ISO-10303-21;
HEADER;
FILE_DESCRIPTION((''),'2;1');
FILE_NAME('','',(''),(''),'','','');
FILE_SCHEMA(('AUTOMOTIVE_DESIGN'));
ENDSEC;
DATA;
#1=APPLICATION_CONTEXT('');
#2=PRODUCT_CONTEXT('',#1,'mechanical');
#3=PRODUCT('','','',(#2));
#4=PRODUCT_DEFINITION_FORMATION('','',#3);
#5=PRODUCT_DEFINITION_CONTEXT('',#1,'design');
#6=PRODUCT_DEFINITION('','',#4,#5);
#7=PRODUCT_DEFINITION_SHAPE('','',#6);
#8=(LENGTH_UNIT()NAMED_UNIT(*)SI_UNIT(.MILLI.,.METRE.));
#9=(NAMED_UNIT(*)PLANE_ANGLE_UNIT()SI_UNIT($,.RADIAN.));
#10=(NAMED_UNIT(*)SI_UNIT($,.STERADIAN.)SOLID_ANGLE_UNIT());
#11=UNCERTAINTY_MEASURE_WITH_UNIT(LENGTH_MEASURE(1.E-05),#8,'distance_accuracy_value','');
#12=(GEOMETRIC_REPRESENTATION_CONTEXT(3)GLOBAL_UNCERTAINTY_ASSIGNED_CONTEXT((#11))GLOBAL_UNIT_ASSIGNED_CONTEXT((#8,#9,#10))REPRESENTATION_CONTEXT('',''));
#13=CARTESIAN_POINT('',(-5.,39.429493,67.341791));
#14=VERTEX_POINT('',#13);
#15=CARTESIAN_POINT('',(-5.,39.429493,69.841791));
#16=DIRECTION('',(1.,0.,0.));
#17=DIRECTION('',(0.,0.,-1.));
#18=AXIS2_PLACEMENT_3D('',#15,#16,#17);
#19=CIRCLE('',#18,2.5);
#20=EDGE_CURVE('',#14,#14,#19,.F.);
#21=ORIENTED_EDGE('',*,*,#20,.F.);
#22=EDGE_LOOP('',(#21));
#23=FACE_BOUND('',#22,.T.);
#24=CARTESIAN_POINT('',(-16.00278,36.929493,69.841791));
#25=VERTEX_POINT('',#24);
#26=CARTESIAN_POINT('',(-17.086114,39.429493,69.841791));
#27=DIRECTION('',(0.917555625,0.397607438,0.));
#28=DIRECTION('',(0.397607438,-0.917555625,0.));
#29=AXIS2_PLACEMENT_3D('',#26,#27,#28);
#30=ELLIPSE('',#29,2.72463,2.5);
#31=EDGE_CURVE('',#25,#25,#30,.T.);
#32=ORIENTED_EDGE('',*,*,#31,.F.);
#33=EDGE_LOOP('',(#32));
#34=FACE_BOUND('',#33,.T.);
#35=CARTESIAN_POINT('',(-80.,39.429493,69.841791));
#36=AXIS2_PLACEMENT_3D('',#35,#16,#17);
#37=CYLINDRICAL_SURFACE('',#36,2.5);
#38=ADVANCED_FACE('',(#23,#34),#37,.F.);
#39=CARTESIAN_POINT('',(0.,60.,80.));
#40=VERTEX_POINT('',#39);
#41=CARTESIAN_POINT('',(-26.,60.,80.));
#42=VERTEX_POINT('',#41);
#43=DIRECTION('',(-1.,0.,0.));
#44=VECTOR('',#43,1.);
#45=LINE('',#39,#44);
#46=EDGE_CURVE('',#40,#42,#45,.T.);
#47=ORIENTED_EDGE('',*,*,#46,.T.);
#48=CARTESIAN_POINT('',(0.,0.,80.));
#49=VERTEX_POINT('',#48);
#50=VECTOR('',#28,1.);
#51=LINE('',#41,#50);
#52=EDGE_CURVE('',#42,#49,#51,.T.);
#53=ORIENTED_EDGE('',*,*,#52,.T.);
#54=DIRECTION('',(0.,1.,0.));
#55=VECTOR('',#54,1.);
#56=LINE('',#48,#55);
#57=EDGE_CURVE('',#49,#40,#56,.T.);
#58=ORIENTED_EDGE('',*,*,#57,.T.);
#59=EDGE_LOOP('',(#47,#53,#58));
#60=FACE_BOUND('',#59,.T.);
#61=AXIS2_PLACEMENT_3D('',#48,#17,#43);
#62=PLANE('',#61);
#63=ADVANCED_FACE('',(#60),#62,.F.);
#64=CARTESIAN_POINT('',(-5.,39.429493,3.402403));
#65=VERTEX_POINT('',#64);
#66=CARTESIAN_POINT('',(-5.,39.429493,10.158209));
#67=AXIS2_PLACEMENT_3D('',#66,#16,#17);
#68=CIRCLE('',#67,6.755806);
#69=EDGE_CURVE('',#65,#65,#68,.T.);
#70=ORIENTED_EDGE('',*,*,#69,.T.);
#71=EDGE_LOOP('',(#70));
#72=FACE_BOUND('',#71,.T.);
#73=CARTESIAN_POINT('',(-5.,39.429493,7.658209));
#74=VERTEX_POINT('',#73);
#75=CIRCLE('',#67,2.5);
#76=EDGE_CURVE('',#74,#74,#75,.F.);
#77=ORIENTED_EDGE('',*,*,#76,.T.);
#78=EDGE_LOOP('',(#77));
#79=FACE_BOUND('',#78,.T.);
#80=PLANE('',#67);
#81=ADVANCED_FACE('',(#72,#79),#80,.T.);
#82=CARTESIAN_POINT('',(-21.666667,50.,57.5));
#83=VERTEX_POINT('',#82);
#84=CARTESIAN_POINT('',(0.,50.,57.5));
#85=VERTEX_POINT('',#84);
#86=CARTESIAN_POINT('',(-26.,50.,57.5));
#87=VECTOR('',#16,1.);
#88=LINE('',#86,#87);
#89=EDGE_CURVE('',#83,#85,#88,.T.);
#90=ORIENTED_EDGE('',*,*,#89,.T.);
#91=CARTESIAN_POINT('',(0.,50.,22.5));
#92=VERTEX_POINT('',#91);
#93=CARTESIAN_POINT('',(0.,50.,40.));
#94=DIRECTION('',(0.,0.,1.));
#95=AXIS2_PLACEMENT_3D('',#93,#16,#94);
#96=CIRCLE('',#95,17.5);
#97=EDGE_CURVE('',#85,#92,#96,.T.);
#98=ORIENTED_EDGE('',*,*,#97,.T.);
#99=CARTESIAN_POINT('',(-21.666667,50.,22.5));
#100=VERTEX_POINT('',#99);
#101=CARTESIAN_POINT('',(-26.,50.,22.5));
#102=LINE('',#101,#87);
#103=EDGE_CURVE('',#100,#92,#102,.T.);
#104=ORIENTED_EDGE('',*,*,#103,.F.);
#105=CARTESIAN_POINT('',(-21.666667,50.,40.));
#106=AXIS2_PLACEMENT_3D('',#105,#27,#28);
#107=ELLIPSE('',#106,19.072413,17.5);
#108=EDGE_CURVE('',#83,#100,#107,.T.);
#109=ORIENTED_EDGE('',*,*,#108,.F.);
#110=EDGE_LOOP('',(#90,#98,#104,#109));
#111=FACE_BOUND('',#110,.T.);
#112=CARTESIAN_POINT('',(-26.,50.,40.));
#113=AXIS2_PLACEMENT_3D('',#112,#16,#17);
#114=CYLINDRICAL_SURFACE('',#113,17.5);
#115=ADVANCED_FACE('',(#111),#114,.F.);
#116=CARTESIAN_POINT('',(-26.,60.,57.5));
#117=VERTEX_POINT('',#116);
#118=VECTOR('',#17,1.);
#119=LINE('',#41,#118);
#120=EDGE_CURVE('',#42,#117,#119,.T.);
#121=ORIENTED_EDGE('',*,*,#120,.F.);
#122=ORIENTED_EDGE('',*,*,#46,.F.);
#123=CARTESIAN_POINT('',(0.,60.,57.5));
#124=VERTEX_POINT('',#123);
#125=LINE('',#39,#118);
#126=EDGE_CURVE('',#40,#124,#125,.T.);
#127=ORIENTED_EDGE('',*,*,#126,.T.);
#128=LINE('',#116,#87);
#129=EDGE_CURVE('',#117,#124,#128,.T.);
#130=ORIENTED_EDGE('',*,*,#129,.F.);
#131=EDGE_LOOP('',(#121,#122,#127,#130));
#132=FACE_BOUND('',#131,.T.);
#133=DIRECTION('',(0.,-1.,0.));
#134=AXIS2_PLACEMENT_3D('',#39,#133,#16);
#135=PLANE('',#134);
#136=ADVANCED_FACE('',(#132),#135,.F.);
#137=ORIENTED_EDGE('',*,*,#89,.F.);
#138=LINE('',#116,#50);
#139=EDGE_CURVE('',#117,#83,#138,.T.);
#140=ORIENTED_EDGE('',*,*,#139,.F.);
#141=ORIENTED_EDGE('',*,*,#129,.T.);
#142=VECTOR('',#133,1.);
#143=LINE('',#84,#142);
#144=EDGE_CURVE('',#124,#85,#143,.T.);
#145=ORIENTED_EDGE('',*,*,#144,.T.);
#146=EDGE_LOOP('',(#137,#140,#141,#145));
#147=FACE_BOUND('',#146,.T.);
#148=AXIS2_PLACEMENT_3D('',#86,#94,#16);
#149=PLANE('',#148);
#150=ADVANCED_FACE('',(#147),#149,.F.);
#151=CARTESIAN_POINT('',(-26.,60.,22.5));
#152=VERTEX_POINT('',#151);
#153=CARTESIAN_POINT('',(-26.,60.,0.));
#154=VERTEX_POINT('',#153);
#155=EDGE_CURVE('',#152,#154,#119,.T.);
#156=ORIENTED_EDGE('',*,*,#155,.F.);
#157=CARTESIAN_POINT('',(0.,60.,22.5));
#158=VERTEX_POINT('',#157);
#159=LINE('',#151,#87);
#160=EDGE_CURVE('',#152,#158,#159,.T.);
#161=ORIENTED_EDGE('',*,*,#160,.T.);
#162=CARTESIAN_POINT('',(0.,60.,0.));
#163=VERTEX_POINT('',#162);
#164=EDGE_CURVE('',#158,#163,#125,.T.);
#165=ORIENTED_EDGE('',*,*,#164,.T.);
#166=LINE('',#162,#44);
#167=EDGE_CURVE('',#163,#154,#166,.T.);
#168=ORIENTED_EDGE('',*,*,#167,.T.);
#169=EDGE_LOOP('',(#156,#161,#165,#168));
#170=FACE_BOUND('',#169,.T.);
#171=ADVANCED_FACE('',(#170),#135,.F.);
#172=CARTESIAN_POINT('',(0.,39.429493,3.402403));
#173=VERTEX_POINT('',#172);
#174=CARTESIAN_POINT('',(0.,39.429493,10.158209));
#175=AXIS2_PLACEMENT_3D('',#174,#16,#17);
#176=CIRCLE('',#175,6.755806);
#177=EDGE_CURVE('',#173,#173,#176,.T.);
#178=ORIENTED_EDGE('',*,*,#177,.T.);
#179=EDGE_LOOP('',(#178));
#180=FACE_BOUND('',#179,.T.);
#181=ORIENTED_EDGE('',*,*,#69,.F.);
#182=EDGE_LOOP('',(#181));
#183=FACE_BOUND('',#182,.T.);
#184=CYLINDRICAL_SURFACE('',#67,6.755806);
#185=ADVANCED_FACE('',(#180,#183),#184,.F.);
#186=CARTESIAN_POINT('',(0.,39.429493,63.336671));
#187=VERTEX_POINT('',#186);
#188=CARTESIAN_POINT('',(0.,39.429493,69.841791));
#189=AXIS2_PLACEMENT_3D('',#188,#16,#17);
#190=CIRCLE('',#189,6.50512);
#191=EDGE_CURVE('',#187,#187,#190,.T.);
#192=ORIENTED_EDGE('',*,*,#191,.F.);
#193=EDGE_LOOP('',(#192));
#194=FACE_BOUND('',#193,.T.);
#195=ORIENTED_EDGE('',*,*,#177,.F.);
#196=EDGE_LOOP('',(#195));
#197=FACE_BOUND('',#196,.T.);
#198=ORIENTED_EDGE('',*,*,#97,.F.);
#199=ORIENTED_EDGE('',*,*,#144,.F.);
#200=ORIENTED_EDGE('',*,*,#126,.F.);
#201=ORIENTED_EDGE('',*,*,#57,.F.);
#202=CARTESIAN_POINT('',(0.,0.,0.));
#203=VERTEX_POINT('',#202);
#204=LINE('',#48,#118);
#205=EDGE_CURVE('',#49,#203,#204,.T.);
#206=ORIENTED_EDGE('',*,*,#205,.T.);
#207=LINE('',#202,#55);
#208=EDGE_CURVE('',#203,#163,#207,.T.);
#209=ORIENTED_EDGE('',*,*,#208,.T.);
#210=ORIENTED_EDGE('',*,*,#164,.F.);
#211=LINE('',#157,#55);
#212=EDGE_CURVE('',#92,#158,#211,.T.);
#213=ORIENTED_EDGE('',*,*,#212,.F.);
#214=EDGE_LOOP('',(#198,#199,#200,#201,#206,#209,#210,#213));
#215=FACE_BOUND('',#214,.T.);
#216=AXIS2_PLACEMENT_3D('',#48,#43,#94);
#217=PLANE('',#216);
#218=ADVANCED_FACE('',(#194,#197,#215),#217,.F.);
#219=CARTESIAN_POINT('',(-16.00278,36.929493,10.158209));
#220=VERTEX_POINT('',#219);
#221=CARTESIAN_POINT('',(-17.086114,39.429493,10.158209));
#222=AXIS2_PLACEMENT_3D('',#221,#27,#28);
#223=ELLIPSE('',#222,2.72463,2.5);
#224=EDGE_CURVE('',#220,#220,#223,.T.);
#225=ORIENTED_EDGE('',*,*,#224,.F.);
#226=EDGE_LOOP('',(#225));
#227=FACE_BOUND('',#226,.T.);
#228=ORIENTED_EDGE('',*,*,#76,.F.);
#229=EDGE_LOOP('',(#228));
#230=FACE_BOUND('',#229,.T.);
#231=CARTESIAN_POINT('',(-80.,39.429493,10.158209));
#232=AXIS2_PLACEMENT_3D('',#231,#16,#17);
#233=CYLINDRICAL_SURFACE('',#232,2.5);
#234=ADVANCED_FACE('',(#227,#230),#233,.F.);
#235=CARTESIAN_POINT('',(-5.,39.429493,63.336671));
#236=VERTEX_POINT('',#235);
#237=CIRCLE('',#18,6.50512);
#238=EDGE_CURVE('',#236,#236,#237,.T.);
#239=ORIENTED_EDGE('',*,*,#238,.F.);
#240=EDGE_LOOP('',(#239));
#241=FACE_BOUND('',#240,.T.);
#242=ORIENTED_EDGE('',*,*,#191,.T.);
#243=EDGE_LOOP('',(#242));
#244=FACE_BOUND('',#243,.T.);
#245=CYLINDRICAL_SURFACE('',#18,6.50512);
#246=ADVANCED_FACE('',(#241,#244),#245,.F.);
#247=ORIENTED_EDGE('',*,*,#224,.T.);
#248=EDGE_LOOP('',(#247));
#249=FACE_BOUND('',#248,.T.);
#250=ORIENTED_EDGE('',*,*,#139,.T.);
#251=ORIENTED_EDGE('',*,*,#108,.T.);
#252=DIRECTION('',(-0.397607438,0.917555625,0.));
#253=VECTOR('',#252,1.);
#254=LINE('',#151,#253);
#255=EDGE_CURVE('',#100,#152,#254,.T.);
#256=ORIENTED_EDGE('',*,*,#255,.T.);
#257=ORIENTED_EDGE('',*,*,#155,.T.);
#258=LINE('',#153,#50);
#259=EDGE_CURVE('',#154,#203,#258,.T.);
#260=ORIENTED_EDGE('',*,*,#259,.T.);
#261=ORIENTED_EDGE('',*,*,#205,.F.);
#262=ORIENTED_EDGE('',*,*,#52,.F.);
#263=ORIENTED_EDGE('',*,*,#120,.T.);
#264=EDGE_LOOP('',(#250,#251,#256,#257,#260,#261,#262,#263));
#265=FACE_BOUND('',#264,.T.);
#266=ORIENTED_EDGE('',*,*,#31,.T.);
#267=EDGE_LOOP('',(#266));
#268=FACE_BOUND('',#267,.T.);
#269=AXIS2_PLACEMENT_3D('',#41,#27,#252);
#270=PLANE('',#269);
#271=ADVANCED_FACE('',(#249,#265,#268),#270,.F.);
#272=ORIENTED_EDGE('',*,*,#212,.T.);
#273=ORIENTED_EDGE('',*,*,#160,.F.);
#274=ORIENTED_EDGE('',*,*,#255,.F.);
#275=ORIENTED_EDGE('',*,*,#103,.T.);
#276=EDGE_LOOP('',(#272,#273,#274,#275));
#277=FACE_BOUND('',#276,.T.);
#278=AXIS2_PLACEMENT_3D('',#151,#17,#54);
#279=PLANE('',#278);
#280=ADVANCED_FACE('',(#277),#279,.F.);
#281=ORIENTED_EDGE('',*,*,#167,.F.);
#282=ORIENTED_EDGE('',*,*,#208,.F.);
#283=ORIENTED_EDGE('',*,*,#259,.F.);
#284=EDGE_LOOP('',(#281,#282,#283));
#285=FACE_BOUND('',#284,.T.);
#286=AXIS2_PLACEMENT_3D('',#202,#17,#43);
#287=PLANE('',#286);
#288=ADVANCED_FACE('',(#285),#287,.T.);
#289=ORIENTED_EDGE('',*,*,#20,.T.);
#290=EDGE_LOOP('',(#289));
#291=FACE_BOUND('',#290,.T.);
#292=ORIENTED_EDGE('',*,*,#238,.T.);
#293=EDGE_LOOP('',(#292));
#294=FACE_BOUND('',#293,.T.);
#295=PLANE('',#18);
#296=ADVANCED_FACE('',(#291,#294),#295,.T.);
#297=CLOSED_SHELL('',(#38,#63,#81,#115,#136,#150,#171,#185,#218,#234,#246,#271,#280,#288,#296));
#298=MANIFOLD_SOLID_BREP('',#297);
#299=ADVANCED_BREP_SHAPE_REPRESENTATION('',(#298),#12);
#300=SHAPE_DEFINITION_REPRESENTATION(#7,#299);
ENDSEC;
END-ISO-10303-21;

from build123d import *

# Parameters (mm, degrees)
BOSS_EXTRU_1_DEPTH      = 80
ENL_V_MAT_EXTRU_1_DEPTH = 104.324730825
ESQUISSE4_R             = 2.5
ENL_V_MAT_EXTRU_2_DEPTH = 80
ESQUISSE6_R             = 6.505119939
ESQUISSE6_R_2           = 6.755806102
ENL_V_MAT_EXTRU_3_DEPTH = 5


with BuildPart() as part:
    # Esquisse2 → Boss.-Extru.1 (new body)
    with BuildSketch(Plane.XY):
        Polygon((0, 0), (0, 60), (-26, 60), align=None)
    extrude(amount=BOSS_EXTRU_1_DEPTH)

    # Esquisse3 → Enlèv. mat.-Extru.1 (cut, through all)
    with BuildSketch(Plane(origin=(0, 0, 0), x_dir=(0, 0, -1), z_dir=(1, 0, 0))):
        with BuildLine():
            Line((-57.5, 50), (-57.5, 60))
            Line((-57.5, 60), (-22.5, 60))
            Line((-22.5, 60), (-22.5, 50))
            ThreePointArc((-22.5, 50), (-40, 32.5), (-57.5, 50))
        make_face()
    extrude(amount=-ENL_V_MAT_EXTRU_1_DEPTH, mode=Mode.SUBTRACT)

    # Esquisse4 → Enlèv. mat.-Extru.2 (cut)
    with BuildSketch(Plane(origin=(0, 0, 0), x_dir=(0, 0, -1), z_dir=(1, 0, 0))):
        with Locations((-69.841791115, 39.429492972)):
            Circle(ESQUISSE4_R)
        with Locations((-10.158208885, 39.429492972)):
            Circle(ESQUISSE4_R)
    extrude(amount=-ENL_V_MAT_EXTRU_2_DEPTH, mode=Mode.SUBTRACT)

    # Esquisse6 → Enlèv. mat.-Extru.3 (cut)
    with BuildSketch(Plane(origin=(0, 0, 0), x_dir=(0, 0, -1), z_dir=(1, 0, 0))):
        with Locations((-69.841791115, 39.429492972)):
            Circle(ESQUISSE6_R)
        with Locations((-10.158208885, 39.429492972)):
            Circle(ESQUISSE6_R_2)
    extrude(amount=-ENL_V_MAT_EXTRU_3_DEPTH, mode=Mode.SUBTRACT)


solid = part.part
